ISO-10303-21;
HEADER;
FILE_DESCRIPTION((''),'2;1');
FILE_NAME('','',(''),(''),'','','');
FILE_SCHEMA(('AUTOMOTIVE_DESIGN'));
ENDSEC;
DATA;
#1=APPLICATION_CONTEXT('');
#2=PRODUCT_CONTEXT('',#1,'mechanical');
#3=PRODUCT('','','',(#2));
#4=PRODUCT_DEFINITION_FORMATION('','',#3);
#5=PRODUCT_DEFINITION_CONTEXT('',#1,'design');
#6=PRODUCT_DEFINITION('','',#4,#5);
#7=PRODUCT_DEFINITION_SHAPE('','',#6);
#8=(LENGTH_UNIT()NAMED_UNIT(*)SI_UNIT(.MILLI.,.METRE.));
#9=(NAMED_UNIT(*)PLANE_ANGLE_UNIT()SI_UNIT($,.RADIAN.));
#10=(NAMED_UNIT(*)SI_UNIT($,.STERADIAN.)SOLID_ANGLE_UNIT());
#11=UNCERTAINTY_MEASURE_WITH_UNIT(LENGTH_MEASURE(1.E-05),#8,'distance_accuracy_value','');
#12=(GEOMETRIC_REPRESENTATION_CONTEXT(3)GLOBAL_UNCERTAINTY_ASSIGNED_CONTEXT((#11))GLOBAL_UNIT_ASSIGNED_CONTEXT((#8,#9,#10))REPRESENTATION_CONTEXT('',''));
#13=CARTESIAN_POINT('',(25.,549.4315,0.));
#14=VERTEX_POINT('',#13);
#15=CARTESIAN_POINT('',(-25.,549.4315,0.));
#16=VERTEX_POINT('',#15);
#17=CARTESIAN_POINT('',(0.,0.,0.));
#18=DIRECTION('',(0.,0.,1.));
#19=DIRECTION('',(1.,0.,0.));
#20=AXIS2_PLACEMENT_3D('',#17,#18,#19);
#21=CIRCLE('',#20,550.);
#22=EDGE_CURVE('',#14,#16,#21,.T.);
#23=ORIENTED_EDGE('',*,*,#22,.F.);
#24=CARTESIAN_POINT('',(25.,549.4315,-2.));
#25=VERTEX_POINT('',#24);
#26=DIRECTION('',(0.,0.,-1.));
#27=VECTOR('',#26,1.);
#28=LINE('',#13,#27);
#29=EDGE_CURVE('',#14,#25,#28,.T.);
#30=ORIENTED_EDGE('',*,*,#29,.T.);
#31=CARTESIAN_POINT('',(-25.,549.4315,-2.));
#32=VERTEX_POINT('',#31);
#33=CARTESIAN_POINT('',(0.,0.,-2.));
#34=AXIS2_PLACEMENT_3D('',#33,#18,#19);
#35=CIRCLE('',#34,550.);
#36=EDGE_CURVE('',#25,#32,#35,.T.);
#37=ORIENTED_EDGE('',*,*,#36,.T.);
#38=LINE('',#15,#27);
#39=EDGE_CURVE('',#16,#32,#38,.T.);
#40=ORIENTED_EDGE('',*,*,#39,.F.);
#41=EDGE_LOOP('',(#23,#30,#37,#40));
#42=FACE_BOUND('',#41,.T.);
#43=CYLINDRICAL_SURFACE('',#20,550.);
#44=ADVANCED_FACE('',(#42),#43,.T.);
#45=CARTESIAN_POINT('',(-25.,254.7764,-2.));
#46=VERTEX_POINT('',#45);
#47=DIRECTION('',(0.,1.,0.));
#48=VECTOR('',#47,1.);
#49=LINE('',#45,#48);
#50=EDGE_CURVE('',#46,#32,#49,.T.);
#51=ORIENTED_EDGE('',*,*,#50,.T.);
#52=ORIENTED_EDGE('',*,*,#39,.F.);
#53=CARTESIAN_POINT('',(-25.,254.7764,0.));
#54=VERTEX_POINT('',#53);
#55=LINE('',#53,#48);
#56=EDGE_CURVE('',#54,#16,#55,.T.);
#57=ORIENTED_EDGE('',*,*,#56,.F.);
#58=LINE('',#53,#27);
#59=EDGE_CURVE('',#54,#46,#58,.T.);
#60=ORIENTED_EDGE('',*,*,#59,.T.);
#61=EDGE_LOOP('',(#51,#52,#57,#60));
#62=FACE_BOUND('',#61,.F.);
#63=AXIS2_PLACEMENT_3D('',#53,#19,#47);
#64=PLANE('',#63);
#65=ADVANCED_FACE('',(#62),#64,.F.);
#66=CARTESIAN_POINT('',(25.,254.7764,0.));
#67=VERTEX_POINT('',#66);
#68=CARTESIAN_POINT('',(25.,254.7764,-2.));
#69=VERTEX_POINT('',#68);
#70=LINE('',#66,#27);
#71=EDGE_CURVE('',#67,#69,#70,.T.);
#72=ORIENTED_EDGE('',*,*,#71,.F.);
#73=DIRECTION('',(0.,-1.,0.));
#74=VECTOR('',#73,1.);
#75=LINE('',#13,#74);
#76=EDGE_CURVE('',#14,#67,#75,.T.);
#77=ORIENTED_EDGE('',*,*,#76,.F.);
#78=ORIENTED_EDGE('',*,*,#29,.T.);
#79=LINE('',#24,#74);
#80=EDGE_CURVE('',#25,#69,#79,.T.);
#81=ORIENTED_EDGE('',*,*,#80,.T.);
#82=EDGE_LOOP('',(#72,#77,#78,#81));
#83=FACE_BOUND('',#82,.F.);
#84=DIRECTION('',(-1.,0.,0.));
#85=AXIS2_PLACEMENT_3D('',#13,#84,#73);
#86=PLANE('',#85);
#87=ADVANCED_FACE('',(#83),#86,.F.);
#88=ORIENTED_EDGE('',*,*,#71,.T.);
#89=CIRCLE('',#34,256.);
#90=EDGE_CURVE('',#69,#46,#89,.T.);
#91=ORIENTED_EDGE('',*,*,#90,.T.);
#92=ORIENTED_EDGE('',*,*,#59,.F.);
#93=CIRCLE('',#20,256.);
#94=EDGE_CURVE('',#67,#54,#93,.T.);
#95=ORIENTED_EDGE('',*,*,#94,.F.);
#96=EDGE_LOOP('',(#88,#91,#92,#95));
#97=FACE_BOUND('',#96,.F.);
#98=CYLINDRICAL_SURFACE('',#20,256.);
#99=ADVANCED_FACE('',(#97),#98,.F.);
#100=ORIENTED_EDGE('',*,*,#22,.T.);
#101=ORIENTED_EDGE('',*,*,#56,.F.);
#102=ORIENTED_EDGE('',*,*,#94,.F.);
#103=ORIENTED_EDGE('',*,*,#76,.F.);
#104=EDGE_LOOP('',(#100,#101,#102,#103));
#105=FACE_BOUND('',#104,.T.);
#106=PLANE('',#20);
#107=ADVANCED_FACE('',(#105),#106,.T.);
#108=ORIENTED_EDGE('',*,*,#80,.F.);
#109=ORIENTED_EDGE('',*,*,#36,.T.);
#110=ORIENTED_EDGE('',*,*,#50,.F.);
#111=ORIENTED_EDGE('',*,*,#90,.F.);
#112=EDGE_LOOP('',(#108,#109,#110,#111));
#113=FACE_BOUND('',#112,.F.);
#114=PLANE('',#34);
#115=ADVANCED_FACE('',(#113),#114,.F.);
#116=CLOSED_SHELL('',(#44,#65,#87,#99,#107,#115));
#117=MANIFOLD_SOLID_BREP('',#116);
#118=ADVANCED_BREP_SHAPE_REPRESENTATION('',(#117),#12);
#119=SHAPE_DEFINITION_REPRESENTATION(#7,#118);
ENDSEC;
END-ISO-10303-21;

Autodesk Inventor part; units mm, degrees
ref_plane "YZ Plane" through (0, 0, 0) normal (1, 0, 0) x (0, 1, 0)
ref_plane "XZ Plane" through (0, 0, 0) normal (0, 1, 0) x (-1, 0, 0)
ref_plane "XY Plane" through (0, 0, 0) normal (0, 0, 1) x (1, 0, 0)
sketch "Sketch1" plane through (0, 0, 0) normal (0, 0, 1) x (1, 0, 0)
  circle A0 centre (0, 0) radius 256
  line L0 (-25, 549.4315) -> (25, 549.4315)
  line L1 (25, 549.4315) -> (25, 254.7764)
  line L2 (25, 254.7764) -> (-25, 254.7764)
  line L3 (-25, 254.7764) -> (-25, 549.4315)
  circle A1 centre (0, 0) radius 550
  point P0 (25, 549.4315)
  dimension "d28" = 1100
  dimension "d26" = 512
  dimension "d27" = 50
extrude "Plate1" add sketch "Sketch1" against normal blind 2 contours A0 L3 L0 L1 | L0 A1
equation "\"d28\" = Шстр_диам_внутр"
equation "\"d26\" = Колесо_диам3_борт_ступицы + 2 * Thickness"
equation "\"d15\" = Thickness"
equation "\"BendRadius\" = Thickness"
equation "\"BendReliefWidth\" = Thickness"
equation "\"BendReliefDepth\" = 0.5 * Thickness"
equation "\"CornerReliefSize\" = 4 * Thickness"
equation "\"MinimumRemnant\" = 2 * Thickness"
equation "\"TransitionRadius\" = BendRadius"
equation "\"JacobiRadiusSize\" = BendRadius"
equation "\"GapSize\" = Thickness"
equation "\"Шстр_диам_внутр\" = 1100"
equation "\"Колесо_диам3_борт_ступицы\" = 508"
equation "\"Thickness\" = 2"
properties part number "ДМФ 01 13 Барабан усилитель v2.0"
